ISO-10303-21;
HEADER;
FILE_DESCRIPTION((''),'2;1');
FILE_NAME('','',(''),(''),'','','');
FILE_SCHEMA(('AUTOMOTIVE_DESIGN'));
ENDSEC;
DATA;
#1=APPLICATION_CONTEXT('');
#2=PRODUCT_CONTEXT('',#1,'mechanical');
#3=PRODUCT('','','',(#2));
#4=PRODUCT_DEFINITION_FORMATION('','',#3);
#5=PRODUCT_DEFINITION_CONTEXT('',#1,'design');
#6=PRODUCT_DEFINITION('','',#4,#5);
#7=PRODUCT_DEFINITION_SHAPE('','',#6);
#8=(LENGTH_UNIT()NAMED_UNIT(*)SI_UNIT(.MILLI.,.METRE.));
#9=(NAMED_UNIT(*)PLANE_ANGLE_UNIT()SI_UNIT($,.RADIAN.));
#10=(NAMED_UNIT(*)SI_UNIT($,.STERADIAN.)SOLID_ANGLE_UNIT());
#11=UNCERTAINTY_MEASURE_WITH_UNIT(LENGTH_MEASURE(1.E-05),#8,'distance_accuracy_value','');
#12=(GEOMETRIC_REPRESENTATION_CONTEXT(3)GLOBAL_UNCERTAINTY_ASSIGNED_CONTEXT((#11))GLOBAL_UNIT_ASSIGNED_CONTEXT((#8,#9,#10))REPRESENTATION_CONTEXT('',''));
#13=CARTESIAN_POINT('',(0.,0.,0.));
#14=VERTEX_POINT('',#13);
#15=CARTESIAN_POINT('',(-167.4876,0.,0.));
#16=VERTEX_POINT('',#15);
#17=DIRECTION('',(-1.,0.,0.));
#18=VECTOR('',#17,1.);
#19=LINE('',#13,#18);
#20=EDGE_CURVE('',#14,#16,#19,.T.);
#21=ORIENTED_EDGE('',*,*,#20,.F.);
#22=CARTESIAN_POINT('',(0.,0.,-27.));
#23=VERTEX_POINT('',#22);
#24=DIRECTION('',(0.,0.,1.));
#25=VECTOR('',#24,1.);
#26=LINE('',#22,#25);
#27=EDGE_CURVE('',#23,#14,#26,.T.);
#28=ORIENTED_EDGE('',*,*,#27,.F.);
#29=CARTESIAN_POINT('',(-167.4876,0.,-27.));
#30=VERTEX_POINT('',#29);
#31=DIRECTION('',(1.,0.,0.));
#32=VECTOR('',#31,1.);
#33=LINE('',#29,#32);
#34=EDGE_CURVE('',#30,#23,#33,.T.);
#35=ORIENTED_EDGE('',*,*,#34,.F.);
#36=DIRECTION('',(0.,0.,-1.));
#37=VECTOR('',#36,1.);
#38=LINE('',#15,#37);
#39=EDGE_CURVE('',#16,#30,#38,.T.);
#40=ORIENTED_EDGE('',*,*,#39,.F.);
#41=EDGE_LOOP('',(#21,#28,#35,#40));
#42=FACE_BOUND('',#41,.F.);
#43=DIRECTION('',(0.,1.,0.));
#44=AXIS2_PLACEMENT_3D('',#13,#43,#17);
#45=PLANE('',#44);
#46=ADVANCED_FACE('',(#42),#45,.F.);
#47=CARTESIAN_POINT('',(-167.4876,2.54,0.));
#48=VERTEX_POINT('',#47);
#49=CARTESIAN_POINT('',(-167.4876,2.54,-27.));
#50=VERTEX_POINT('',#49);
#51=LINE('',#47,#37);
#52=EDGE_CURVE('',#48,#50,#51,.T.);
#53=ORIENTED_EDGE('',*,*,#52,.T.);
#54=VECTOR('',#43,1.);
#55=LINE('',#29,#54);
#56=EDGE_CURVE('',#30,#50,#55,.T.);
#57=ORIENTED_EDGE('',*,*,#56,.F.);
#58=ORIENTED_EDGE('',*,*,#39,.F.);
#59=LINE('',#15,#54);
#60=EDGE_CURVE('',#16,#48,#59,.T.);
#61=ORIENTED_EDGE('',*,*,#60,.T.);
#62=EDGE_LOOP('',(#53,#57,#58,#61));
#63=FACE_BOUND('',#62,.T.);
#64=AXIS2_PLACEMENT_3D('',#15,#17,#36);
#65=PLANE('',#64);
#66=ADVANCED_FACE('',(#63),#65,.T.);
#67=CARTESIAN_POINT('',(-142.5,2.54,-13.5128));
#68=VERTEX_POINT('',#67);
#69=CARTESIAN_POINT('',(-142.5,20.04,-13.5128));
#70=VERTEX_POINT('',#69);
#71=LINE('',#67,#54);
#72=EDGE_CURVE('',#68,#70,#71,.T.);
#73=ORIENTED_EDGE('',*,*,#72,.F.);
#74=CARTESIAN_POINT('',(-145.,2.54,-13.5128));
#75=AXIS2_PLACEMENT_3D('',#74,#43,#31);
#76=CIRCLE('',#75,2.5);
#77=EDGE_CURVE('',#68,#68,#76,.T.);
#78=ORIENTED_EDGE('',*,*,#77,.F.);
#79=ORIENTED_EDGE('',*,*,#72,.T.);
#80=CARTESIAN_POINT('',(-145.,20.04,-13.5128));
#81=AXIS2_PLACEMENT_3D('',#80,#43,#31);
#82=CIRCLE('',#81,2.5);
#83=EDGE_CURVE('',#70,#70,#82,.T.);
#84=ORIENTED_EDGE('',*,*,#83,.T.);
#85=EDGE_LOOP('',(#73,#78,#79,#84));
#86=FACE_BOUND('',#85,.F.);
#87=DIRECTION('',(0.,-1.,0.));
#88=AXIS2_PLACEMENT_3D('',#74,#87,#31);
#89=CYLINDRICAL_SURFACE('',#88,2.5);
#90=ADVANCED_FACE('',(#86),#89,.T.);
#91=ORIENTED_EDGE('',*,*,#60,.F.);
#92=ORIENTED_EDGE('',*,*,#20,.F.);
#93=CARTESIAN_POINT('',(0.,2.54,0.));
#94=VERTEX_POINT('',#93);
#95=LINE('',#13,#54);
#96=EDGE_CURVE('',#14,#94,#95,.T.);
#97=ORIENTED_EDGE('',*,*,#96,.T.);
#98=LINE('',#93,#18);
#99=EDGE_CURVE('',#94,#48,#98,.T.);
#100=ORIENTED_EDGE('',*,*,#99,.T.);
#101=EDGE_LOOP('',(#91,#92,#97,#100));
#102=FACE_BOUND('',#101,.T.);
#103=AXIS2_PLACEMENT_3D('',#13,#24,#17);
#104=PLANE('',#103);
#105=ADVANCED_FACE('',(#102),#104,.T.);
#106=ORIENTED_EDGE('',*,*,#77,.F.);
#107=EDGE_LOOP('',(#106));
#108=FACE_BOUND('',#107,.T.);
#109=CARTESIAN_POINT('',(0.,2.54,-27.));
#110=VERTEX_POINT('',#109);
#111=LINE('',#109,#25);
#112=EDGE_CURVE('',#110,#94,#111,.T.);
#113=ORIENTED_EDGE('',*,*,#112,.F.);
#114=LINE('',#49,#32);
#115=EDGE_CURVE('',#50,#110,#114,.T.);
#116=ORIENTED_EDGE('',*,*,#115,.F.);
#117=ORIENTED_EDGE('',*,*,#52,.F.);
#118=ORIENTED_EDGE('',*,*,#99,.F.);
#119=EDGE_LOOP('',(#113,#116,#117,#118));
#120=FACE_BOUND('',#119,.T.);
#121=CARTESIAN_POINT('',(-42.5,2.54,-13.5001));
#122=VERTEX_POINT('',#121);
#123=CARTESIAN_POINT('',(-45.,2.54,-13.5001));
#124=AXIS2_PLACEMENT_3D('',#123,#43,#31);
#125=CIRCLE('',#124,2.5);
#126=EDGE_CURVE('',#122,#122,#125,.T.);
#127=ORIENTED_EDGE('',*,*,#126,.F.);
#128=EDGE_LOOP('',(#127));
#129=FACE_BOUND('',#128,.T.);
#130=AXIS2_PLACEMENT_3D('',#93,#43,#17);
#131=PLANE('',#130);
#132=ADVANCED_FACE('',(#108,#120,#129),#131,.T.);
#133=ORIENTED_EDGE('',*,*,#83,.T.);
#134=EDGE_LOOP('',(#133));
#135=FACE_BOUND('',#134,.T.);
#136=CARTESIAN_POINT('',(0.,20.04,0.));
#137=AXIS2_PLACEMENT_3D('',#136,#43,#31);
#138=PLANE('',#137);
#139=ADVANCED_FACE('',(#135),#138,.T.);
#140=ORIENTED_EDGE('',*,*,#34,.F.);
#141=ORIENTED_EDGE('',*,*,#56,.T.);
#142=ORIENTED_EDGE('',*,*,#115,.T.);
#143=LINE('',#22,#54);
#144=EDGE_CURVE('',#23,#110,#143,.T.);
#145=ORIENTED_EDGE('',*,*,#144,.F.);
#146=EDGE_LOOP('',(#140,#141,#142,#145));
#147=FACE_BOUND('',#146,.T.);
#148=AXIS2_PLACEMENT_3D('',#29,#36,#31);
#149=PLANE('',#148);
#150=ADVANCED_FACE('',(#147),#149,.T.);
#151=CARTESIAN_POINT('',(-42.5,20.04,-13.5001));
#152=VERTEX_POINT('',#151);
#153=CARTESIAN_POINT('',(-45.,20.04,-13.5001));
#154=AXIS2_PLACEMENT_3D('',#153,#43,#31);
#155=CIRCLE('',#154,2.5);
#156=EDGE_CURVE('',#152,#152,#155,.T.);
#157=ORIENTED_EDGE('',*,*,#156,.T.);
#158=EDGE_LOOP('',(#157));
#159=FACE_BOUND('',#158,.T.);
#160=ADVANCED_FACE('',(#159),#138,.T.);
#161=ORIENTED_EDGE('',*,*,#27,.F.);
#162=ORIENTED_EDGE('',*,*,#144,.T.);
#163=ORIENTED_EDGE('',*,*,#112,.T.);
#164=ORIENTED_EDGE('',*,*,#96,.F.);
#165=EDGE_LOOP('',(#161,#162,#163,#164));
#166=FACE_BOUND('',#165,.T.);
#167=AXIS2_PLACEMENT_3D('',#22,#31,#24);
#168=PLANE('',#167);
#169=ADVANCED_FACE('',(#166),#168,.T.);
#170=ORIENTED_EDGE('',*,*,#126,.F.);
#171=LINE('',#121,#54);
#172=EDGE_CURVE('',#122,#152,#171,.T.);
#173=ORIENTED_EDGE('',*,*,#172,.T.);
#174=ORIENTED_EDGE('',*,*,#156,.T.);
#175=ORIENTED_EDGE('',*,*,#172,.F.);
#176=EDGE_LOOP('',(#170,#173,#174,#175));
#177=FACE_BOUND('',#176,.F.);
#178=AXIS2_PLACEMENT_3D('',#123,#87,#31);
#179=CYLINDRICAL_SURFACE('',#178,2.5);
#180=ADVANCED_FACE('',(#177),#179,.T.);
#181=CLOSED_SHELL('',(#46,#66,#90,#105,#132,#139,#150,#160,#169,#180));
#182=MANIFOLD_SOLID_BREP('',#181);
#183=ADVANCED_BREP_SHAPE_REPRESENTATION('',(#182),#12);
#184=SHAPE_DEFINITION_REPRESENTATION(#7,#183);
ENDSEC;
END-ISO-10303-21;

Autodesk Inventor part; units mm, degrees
ref_plane "YZ Plane" through (0, 0, 0) normal (1, 0, 0) x (0, 1, 0)
ref_plane "XZ Plane" through (0, 0, 0) normal (0, 1, 0) x (-1, 0, 0)
ref_plane "XY Plane" through (0, 0, 0) normal (0, 0, 1) x (1, 0, 0)
sketch "Sketch1" plane through (0, 0, 0) normal (0, 1, 0) x (-1, 0, 0)
  line L0 (0, 0) -> (167.4876, 0)
  line L1 (167.4876, 0) -> (167.4876, -27)
  line L2 (167.4876, -27) -> (0, -27)
  line L3 (0, -27) -> (0, 0)
  dimension "d0" = 167.4876
  dimension "d1" = 27
extrude "Extrusion1" add sketch "Sketch1" along normal blind 2.54
sketch "Sketch2" plane through (0, 2.54, 0) normal (0, 1, 0) x (1, 0, 0)
  circle A0 centre (-45, 13.5001) radius 2.5
  line L0 (-167.4876, 0) -> (0, 0) projected
  line L1 (0, 0) -> (0, 27) projected
  circle A1 centre (-145, 13.5128) radius 2.5
  dimension "d4" = 5
  dimension "d5" = 13.5001
  dimension "d6" = 45
  dimension "d7" = 5
  dimension "d8" = 13.5128
  dimension "d9" = 100
extrude "Extrusion2" add sketch "Sketch2" along normal blind 17.5
properties part number "DinRail"
